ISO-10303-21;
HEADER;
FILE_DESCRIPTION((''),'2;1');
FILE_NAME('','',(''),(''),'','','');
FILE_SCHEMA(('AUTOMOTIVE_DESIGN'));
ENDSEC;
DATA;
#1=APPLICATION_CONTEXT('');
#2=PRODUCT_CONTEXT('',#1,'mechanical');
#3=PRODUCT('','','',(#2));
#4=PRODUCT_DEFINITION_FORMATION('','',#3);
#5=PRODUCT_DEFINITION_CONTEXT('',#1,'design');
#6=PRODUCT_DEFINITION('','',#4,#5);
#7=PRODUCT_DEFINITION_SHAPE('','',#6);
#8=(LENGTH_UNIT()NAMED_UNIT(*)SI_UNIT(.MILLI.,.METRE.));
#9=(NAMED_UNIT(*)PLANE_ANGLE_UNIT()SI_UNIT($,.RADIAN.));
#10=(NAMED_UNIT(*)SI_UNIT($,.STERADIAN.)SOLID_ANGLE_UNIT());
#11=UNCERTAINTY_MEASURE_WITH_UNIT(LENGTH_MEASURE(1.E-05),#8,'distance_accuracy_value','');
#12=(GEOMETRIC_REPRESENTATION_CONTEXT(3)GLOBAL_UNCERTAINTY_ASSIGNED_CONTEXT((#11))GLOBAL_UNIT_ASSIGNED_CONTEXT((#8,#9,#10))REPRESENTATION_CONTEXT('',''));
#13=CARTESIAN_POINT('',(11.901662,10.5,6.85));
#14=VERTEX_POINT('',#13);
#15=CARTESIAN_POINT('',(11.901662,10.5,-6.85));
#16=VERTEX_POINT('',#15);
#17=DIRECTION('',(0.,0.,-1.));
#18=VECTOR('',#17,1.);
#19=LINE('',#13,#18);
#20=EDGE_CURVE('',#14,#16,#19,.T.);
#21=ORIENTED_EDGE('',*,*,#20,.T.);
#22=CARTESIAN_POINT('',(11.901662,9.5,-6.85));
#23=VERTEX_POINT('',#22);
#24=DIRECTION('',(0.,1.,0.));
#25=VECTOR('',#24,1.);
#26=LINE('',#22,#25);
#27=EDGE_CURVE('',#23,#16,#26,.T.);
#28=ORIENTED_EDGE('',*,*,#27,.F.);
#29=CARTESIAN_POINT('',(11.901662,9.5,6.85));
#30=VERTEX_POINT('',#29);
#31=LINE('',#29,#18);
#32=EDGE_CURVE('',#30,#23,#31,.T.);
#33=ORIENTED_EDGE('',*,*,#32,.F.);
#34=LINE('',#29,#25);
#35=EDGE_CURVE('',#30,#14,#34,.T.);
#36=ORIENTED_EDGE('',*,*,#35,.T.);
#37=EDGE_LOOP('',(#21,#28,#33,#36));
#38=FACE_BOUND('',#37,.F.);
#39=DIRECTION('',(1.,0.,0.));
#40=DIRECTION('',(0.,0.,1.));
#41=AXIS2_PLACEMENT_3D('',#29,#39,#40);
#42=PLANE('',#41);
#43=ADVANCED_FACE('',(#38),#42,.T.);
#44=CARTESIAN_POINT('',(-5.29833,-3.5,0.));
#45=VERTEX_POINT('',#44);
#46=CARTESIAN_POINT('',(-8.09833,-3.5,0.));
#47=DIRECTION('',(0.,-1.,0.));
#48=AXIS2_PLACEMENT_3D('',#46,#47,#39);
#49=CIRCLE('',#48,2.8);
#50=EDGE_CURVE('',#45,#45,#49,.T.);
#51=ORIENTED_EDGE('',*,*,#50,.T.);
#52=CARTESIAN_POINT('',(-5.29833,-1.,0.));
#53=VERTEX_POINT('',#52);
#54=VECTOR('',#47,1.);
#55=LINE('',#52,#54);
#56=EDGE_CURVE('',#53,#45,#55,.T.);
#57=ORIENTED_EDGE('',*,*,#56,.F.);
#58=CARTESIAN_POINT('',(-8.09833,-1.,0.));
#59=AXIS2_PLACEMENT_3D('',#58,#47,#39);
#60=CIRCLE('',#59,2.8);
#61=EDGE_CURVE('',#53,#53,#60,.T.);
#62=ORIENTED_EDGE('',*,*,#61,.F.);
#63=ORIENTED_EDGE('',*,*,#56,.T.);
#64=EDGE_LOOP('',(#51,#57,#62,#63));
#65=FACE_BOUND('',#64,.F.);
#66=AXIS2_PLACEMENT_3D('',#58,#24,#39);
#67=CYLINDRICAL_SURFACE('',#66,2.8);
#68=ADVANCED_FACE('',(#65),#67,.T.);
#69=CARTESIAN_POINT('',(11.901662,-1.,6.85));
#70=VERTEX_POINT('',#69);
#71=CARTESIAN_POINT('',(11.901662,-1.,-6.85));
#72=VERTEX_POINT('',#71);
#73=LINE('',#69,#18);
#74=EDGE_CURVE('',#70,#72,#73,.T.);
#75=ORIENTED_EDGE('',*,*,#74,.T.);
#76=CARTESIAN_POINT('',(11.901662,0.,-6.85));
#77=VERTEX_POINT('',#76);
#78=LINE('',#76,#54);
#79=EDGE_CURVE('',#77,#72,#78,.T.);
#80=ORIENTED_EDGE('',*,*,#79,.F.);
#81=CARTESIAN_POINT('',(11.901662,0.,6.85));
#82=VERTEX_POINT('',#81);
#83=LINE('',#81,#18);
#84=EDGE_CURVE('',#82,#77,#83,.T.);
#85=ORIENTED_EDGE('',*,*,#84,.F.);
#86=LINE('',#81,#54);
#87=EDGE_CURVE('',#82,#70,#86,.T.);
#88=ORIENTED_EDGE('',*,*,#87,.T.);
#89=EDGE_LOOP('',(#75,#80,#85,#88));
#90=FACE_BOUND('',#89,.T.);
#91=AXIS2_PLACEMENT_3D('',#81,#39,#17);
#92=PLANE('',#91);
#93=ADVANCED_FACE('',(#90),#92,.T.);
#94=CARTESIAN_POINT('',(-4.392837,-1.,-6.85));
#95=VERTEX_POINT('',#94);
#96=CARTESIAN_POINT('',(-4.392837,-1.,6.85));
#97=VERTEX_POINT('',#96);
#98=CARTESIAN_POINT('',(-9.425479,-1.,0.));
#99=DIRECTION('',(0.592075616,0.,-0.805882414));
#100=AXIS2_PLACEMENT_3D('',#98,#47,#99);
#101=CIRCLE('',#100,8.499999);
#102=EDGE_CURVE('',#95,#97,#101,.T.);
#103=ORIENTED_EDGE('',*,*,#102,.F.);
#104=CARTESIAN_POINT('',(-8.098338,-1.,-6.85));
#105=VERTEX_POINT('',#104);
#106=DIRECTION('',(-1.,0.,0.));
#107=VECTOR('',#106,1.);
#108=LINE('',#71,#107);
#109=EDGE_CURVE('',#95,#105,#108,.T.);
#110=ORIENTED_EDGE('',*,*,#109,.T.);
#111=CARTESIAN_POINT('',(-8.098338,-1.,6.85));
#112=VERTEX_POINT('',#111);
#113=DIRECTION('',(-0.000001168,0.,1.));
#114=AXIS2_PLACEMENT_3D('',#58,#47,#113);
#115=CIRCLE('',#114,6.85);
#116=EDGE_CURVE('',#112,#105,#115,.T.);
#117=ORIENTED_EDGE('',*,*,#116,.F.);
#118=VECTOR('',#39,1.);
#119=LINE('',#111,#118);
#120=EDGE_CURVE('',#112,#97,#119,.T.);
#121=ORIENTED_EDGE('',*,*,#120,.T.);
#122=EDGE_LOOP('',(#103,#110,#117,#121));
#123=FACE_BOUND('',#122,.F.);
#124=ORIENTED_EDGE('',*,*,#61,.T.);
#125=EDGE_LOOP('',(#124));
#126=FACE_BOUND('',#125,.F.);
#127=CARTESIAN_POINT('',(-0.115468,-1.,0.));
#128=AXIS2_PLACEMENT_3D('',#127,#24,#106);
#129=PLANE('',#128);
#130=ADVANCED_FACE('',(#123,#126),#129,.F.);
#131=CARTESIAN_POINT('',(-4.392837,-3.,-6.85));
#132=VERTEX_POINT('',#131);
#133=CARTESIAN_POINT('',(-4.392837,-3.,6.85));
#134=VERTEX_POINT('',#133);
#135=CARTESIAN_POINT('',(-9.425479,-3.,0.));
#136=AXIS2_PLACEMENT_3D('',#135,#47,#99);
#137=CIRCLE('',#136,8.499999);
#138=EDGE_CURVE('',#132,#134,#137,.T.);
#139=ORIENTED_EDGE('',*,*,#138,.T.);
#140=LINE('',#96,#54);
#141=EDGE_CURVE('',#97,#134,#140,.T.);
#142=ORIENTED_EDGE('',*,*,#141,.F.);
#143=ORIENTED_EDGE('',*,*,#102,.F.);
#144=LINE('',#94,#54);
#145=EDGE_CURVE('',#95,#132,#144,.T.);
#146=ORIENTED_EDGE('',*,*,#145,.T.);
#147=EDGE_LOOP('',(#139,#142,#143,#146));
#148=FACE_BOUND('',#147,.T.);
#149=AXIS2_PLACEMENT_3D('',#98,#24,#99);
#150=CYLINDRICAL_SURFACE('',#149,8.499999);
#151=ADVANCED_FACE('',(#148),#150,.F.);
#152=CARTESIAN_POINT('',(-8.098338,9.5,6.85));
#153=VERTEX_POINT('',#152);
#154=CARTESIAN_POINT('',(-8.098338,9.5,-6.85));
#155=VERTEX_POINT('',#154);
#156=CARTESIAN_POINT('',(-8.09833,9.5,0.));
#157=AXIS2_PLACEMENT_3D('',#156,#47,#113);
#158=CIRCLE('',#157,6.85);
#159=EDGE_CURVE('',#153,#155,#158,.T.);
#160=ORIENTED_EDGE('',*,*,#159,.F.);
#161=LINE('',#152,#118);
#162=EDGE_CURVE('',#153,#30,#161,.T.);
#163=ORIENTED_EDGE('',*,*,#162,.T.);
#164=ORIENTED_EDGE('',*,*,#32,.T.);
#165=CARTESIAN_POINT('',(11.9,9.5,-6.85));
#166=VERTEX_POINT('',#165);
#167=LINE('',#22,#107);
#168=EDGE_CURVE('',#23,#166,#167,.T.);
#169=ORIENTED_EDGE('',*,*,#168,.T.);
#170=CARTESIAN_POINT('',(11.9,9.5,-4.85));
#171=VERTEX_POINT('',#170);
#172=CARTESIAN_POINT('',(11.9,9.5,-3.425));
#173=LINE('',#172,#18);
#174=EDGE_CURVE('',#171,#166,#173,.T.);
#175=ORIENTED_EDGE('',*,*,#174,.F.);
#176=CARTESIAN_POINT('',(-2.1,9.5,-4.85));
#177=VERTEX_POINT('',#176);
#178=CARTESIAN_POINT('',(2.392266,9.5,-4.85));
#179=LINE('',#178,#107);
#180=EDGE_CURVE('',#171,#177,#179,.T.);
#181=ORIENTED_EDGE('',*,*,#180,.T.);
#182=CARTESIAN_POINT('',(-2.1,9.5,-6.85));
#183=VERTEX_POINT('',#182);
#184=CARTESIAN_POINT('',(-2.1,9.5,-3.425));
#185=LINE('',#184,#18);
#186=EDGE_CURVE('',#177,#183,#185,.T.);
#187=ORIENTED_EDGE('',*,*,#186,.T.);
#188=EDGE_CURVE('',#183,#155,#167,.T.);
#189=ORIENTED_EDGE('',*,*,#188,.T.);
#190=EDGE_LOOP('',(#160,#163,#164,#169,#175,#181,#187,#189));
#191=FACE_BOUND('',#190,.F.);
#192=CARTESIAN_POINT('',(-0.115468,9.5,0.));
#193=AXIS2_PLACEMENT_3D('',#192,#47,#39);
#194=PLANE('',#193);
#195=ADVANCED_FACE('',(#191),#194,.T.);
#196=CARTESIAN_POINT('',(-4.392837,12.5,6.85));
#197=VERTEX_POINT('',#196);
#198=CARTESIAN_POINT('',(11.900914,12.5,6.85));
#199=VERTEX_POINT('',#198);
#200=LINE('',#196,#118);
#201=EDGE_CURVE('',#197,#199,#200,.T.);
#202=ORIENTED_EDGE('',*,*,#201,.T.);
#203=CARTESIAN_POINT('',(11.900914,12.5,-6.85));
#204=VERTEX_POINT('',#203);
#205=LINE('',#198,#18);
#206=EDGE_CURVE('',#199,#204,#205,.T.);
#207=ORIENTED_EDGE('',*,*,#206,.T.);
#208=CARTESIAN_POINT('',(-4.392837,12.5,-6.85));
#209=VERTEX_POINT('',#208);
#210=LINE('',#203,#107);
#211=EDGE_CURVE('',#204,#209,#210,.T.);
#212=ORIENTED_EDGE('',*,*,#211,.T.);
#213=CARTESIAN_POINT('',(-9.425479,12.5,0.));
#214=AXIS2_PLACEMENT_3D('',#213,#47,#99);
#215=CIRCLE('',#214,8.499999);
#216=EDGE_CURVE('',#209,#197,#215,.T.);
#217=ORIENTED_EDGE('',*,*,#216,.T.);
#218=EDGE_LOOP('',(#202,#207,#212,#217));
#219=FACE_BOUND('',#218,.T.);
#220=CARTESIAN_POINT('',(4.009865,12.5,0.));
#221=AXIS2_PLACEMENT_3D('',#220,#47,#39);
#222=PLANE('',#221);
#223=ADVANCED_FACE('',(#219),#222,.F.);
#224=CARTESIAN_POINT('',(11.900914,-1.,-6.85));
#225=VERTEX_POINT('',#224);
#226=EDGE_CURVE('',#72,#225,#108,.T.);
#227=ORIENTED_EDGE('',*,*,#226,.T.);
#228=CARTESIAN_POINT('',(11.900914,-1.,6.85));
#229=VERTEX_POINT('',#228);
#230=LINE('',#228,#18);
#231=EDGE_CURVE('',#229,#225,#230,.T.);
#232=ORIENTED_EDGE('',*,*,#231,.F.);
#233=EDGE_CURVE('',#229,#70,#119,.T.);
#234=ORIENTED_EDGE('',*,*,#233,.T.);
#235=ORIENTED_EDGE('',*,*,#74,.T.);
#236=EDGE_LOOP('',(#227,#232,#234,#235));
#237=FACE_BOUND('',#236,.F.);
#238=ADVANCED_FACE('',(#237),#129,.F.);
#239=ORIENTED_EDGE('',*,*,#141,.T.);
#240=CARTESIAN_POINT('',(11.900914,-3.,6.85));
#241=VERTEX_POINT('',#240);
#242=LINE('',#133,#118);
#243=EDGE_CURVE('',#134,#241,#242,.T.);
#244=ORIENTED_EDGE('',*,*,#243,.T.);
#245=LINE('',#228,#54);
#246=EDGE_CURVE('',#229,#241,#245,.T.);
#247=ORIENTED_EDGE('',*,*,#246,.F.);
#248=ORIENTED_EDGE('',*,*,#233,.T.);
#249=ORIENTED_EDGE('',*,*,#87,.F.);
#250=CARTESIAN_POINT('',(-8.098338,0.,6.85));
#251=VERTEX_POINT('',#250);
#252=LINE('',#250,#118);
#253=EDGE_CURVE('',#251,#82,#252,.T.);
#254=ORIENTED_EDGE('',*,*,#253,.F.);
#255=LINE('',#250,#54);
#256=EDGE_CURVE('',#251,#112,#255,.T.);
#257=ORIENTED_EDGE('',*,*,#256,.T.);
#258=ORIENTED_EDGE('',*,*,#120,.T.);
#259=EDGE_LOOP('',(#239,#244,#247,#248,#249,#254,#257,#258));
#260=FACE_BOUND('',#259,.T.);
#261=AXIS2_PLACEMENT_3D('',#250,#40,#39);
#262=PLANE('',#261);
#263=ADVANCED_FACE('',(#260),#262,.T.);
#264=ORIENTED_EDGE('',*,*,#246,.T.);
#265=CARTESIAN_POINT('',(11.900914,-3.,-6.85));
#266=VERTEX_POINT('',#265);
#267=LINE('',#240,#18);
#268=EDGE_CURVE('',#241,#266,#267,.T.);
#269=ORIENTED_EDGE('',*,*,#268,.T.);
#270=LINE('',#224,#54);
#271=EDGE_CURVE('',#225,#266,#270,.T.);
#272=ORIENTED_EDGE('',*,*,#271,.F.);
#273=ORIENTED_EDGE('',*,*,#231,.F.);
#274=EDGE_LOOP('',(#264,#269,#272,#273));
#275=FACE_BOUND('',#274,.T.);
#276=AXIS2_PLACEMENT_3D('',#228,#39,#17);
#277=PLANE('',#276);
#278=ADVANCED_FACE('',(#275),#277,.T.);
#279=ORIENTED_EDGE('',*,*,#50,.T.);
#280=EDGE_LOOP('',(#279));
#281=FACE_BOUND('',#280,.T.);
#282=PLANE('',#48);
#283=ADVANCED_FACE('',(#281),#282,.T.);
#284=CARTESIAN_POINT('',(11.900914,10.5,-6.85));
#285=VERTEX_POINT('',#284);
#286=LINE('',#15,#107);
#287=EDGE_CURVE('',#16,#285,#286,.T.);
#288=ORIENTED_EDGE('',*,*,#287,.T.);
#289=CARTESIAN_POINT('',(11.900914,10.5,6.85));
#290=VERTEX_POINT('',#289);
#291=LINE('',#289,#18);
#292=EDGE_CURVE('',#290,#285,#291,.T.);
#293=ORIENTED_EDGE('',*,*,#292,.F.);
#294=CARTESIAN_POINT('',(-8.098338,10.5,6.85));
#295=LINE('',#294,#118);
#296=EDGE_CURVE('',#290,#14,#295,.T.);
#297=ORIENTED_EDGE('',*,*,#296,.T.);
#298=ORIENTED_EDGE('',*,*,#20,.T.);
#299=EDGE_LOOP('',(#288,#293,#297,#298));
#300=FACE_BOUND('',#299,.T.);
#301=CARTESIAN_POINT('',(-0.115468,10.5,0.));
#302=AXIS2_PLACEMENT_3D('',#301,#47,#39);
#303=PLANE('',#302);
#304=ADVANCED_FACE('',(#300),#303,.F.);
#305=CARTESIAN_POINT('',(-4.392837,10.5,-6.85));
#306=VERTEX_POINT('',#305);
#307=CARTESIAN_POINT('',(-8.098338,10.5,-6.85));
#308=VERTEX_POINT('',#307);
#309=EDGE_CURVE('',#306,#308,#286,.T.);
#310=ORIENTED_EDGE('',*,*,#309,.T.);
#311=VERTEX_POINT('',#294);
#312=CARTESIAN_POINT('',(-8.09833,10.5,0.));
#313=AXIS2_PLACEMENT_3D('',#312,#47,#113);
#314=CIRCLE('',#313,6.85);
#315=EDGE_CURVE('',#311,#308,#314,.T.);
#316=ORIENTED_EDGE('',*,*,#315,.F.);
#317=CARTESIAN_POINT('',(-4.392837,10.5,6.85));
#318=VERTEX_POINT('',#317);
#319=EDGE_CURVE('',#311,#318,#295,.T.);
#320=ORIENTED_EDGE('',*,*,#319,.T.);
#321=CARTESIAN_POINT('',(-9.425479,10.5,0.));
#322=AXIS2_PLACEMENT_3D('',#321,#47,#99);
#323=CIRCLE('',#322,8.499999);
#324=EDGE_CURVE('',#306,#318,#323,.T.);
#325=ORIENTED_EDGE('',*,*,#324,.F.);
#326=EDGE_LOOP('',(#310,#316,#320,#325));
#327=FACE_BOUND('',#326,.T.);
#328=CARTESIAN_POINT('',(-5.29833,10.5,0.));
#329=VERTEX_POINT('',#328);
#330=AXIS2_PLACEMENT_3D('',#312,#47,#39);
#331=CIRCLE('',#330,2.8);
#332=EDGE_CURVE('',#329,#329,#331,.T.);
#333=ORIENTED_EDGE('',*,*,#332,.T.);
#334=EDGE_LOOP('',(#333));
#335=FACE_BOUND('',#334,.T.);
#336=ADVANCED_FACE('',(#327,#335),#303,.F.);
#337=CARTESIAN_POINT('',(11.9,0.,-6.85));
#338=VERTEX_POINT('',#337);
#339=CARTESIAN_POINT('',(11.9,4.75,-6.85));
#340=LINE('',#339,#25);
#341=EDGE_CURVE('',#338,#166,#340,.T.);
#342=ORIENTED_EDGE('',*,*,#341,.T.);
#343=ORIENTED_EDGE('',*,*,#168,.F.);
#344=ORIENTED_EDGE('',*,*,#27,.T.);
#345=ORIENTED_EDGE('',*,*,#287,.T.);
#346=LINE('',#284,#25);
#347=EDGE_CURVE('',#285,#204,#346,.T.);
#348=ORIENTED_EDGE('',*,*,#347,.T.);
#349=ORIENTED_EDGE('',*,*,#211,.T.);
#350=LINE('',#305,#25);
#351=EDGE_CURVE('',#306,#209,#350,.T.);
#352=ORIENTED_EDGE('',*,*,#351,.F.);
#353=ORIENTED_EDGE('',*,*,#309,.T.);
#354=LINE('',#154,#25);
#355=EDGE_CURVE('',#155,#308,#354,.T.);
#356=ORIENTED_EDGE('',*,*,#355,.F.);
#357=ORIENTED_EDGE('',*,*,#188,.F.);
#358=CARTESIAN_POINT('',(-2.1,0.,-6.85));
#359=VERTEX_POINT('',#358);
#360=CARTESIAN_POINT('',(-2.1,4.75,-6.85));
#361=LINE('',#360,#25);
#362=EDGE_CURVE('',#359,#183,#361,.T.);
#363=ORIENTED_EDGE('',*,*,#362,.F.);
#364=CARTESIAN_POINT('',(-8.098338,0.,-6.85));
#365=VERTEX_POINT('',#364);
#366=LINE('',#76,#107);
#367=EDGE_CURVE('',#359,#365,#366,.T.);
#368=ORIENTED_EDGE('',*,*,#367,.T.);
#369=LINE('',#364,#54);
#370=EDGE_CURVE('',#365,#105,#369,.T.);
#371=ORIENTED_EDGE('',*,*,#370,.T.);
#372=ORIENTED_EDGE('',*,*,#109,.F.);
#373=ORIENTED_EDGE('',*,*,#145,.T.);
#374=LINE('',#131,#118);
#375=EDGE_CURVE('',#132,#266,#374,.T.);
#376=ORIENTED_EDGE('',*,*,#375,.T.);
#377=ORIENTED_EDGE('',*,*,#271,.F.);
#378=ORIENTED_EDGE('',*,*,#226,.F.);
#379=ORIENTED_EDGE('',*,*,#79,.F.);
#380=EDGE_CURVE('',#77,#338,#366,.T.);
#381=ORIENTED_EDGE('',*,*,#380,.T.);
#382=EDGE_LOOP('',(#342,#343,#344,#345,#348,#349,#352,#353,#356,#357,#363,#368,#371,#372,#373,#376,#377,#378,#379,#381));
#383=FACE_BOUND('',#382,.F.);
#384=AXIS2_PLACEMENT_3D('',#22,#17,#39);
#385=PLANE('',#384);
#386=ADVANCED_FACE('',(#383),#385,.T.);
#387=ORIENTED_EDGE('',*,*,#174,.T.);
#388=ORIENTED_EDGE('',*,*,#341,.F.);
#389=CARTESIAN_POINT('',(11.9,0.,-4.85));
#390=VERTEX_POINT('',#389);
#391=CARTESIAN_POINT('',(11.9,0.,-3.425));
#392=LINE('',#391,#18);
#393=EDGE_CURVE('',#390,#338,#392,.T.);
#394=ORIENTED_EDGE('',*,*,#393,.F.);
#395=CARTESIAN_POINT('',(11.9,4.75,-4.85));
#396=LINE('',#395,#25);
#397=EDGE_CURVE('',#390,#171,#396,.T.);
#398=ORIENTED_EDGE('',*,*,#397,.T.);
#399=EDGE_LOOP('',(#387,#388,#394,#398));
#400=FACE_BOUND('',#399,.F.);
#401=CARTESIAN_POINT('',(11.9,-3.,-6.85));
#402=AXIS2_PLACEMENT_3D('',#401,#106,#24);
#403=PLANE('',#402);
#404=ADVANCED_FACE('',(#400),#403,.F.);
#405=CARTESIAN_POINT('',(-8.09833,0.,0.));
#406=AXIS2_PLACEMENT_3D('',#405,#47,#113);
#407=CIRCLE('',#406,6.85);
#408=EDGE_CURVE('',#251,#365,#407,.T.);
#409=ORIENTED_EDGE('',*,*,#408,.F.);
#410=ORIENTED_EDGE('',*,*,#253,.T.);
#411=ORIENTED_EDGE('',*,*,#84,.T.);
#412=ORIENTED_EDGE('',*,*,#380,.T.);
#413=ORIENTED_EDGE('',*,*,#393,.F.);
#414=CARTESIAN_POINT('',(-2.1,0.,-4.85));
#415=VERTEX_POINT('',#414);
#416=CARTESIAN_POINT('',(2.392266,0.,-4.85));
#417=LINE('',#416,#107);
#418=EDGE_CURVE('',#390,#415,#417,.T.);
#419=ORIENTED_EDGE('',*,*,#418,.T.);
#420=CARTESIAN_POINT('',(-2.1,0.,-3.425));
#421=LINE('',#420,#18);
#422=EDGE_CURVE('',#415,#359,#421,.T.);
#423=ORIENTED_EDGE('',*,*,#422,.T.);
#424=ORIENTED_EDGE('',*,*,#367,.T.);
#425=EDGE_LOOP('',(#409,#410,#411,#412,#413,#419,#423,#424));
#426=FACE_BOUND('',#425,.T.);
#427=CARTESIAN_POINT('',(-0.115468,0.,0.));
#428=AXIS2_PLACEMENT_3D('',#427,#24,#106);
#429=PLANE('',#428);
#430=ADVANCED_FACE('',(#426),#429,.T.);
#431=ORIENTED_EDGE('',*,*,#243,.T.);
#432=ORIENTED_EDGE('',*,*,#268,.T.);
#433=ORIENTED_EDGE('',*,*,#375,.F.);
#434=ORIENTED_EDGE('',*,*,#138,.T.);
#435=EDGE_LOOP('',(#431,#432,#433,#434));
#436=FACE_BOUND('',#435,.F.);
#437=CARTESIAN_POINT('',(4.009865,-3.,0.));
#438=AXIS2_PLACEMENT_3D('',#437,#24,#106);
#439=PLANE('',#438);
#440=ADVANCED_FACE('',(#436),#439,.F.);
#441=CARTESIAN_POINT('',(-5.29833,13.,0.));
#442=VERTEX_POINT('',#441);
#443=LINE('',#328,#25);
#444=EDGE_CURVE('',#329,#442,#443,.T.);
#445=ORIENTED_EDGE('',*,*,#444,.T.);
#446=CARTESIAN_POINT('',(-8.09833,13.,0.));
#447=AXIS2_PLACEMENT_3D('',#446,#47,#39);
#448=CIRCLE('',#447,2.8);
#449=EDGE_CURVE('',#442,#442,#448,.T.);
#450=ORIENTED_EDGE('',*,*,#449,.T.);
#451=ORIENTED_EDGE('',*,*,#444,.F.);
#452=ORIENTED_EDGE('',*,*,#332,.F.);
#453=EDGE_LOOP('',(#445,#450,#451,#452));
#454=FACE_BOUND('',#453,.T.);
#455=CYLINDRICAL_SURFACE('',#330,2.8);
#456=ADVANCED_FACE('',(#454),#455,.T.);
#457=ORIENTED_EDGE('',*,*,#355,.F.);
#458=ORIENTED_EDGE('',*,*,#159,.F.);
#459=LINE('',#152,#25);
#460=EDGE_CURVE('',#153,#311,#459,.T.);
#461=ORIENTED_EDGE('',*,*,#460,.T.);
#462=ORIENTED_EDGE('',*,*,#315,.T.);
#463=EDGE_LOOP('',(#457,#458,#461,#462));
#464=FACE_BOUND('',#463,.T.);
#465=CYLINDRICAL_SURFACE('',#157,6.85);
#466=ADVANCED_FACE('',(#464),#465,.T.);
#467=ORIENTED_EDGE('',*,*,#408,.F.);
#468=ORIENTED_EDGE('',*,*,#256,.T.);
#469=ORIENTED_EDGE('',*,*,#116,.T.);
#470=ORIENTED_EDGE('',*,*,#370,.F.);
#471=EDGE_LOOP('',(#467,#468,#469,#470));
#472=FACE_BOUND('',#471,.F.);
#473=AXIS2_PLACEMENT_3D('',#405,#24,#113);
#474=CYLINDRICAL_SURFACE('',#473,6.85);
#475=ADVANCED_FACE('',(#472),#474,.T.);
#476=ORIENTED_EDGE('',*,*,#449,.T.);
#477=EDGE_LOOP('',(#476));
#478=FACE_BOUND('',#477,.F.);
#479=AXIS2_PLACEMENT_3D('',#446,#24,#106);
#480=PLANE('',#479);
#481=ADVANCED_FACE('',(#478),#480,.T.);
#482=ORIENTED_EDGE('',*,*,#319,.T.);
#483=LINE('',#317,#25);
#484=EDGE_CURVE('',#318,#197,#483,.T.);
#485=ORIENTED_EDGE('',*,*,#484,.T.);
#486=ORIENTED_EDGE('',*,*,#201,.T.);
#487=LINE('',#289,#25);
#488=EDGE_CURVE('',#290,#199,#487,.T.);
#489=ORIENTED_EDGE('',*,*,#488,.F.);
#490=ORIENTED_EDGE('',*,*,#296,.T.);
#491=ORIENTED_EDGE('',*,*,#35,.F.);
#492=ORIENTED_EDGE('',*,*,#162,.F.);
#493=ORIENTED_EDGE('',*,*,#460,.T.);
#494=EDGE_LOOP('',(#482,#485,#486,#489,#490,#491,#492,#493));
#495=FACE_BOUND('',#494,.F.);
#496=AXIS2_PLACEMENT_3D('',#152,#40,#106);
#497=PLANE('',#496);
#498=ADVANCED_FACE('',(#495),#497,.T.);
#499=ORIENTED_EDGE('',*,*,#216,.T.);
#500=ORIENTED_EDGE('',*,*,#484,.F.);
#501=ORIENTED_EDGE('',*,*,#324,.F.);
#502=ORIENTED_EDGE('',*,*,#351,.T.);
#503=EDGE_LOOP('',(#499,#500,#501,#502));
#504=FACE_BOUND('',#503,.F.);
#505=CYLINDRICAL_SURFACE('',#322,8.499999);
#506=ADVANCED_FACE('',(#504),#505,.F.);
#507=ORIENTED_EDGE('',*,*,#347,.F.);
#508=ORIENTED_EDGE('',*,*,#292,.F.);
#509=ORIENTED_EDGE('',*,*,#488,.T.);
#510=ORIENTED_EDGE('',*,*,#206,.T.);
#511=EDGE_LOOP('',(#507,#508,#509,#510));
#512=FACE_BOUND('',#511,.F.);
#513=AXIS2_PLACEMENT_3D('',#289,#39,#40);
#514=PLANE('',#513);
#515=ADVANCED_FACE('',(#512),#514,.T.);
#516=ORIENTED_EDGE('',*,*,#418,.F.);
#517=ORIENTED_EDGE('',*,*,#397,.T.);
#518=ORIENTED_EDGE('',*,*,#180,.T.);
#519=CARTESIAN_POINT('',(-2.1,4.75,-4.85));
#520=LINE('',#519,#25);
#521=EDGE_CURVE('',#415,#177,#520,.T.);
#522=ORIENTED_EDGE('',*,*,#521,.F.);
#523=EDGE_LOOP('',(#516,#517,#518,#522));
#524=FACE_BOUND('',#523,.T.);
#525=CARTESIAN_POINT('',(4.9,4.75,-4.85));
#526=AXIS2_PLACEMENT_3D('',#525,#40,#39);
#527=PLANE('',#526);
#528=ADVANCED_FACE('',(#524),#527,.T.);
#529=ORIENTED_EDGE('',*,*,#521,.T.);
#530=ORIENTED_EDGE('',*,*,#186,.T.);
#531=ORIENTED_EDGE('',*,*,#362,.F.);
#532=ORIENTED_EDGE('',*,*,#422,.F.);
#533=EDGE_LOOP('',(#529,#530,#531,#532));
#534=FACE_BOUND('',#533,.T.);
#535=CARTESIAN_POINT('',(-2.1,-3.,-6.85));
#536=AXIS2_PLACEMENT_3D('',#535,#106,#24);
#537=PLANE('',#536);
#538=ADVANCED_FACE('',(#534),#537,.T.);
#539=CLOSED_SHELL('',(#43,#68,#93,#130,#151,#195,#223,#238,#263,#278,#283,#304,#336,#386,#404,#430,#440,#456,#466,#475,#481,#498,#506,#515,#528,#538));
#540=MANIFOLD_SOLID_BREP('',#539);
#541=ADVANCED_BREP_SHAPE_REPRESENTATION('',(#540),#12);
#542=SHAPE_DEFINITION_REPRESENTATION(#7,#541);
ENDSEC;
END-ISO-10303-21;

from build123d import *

# Parameters (mm, degrees)
PAD_DEPTH    = 1
SKETCH001_R  = 2.8
PAD001_DEPTH = 2.5
PAD002_DEPTH = 2
BOX_W        = 14
BOX_H        = 15.5
BOX_DEPTH    = 2


with BuildPart() as pad002:
    # Sketch → Pad (new body)
    with BuildSketch(Plane.XZ):
        with BuildLine():
            Line((-8.098338, 6.85), (11.901662, 6.85))
            Line((11.901662, 6.85), (11.901662, -6.85))
            Line((11.901662, -6.85), (-8.098338, -6.85))
            ThreePointArc((-8.098338, 6.85), (-14.94833, 0), (-8.098338, -6.85))
        make_face()
    extrude(amount=PAD_DEPTH)

    # Sketch001 → Pad001 (new body)
    with BuildSketch(Plane.XZ.offset(1)):
        with Locations((-8.09833, 0)):
            Circle(SKETCH001_R)
    extrude(amount=PAD001_DEPTH)

    # Sketch002 → Pad002 (new body)
    with BuildSketch(Plane.XZ.offset(1)):
        with BuildLine():
            Line((-4.392837, 6.85), (11.900914, 6.85))
            Line((11.900914, 6.85), (11.900914, -6.85))
            Line((11.900914, -6.85), (-4.392837, -6.85))
            ThreePointArc((-4.392837, -6.85), (-0.92548, 0), (-4.392837, 6.85))
        make_face()
    extrude(amount=PAD002_DEPTH)


with BuildPart() as part_mirroring:
    # Part__Mirroring: instance of Pad002
    add(pad002.part.mirror(Plane(origin=(0, 4.75, 0), x_dir=(1, 0, 0), z_dir=(0, 1, 0))))


with BuildPart() as fusion:
    # Box → Box (new body)
    with BuildSketch(Plane(origin=(-2.1, -3, -6.85), x_dir=(1, 0, 0), z_dir=(0, 0, 1))):
        with Locations((7, 7.75)):
            Rectangle(BOX_W, BOX_H)
    extrude(amount=BOX_DEPTH)

    # Fusion: union Pad002, Part__Mirroring
    add(pad002.part)
    add(part_mirroring.part)


solid = fusion.part
